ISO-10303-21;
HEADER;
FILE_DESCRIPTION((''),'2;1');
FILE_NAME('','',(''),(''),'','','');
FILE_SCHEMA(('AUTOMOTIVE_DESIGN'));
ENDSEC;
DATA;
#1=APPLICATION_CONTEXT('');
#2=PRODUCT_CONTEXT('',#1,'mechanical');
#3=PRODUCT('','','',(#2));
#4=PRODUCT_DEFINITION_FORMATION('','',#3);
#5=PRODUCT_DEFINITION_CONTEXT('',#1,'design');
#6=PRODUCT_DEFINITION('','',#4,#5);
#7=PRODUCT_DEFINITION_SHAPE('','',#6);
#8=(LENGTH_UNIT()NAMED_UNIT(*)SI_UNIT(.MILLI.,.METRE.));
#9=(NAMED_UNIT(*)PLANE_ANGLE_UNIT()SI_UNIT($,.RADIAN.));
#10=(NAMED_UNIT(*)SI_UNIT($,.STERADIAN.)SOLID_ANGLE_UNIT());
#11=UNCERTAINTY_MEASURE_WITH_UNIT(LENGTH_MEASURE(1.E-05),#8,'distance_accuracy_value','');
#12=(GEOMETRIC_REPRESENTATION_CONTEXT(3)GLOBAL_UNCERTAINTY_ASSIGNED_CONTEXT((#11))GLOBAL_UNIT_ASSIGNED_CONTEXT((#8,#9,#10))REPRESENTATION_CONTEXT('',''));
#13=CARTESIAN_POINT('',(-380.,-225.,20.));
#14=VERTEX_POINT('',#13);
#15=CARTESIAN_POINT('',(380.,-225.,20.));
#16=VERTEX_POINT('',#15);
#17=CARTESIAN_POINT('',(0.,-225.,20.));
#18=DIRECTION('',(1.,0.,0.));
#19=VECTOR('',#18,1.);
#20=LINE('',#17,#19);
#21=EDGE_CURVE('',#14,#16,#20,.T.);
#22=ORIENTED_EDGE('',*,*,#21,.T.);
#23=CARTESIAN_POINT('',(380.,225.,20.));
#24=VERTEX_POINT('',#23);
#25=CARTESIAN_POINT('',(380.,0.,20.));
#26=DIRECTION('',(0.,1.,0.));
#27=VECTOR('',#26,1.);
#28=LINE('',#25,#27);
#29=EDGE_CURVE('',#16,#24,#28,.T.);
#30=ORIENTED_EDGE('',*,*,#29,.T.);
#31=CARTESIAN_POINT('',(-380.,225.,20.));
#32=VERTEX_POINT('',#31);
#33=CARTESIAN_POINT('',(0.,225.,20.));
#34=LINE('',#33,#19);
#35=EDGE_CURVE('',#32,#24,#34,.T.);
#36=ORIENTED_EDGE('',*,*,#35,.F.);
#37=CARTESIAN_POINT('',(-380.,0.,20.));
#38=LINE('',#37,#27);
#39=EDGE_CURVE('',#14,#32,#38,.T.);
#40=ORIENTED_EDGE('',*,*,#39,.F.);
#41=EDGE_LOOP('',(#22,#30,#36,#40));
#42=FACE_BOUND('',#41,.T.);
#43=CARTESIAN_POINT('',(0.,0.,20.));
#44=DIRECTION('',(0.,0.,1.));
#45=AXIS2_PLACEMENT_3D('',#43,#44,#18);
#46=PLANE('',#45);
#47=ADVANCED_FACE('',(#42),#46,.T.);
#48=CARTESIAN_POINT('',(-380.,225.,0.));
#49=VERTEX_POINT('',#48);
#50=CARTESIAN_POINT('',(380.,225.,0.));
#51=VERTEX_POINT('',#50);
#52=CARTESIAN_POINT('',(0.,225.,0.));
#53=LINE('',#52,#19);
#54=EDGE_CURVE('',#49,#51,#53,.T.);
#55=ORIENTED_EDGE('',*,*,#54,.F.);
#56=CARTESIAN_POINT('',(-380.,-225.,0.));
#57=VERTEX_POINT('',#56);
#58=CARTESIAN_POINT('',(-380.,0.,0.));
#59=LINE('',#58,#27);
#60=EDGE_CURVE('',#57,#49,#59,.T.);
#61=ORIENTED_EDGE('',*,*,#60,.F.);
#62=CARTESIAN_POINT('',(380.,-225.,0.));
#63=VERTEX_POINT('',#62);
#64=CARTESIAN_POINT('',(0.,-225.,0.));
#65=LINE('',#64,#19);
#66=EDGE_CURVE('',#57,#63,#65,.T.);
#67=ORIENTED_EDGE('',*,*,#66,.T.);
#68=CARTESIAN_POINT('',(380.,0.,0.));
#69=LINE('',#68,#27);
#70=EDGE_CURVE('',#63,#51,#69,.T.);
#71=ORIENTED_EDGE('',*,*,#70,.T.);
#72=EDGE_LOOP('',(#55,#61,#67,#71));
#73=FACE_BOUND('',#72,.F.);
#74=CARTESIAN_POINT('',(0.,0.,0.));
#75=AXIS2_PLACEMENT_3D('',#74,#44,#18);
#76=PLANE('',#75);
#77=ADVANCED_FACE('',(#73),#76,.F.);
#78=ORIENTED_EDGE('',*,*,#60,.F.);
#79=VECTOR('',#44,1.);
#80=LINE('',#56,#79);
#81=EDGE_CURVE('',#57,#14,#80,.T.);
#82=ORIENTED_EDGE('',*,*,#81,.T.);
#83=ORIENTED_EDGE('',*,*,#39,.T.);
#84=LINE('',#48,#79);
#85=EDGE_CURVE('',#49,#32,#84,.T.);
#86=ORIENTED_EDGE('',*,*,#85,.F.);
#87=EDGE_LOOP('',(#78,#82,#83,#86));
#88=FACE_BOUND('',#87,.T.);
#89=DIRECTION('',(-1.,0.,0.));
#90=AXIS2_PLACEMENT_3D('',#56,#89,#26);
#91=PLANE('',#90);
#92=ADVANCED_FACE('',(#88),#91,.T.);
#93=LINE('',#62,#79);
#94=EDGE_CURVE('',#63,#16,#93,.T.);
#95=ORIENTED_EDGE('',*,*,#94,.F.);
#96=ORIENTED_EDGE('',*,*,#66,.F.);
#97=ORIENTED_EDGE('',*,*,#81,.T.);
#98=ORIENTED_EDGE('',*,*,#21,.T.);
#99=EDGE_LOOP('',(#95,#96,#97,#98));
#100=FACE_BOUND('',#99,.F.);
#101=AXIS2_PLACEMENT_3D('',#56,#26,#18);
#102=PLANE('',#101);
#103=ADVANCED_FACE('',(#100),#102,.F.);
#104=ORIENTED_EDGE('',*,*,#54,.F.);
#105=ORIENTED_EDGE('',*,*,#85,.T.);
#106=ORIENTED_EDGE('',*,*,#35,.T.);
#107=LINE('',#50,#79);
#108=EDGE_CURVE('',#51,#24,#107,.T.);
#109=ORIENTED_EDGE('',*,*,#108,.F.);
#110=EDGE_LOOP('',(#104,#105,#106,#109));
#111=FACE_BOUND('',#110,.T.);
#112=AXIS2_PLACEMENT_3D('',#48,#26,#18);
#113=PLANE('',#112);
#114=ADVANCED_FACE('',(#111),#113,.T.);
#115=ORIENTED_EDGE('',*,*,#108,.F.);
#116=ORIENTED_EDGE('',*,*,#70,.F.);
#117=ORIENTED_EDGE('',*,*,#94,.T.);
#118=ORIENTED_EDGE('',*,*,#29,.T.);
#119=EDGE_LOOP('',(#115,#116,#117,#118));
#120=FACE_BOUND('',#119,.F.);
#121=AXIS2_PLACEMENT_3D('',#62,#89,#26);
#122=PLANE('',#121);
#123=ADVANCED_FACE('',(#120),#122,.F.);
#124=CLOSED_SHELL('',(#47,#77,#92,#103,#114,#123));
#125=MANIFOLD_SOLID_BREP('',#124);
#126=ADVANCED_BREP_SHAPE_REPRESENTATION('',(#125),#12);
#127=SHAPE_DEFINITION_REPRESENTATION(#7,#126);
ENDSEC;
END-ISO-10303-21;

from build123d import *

# Parameters (mm, degrees)
SKETCH_W  = 760
SKETCH_H  = 450
PAD_DEPTH = 20


with BuildPart() as part:
    # Sketch → Pad (new body)
    with BuildSketch(Plane.XY):
        Rectangle(SKETCH_W, SKETCH_H)
    extrude(amount=PAD_DEPTH)


solid = part.part
